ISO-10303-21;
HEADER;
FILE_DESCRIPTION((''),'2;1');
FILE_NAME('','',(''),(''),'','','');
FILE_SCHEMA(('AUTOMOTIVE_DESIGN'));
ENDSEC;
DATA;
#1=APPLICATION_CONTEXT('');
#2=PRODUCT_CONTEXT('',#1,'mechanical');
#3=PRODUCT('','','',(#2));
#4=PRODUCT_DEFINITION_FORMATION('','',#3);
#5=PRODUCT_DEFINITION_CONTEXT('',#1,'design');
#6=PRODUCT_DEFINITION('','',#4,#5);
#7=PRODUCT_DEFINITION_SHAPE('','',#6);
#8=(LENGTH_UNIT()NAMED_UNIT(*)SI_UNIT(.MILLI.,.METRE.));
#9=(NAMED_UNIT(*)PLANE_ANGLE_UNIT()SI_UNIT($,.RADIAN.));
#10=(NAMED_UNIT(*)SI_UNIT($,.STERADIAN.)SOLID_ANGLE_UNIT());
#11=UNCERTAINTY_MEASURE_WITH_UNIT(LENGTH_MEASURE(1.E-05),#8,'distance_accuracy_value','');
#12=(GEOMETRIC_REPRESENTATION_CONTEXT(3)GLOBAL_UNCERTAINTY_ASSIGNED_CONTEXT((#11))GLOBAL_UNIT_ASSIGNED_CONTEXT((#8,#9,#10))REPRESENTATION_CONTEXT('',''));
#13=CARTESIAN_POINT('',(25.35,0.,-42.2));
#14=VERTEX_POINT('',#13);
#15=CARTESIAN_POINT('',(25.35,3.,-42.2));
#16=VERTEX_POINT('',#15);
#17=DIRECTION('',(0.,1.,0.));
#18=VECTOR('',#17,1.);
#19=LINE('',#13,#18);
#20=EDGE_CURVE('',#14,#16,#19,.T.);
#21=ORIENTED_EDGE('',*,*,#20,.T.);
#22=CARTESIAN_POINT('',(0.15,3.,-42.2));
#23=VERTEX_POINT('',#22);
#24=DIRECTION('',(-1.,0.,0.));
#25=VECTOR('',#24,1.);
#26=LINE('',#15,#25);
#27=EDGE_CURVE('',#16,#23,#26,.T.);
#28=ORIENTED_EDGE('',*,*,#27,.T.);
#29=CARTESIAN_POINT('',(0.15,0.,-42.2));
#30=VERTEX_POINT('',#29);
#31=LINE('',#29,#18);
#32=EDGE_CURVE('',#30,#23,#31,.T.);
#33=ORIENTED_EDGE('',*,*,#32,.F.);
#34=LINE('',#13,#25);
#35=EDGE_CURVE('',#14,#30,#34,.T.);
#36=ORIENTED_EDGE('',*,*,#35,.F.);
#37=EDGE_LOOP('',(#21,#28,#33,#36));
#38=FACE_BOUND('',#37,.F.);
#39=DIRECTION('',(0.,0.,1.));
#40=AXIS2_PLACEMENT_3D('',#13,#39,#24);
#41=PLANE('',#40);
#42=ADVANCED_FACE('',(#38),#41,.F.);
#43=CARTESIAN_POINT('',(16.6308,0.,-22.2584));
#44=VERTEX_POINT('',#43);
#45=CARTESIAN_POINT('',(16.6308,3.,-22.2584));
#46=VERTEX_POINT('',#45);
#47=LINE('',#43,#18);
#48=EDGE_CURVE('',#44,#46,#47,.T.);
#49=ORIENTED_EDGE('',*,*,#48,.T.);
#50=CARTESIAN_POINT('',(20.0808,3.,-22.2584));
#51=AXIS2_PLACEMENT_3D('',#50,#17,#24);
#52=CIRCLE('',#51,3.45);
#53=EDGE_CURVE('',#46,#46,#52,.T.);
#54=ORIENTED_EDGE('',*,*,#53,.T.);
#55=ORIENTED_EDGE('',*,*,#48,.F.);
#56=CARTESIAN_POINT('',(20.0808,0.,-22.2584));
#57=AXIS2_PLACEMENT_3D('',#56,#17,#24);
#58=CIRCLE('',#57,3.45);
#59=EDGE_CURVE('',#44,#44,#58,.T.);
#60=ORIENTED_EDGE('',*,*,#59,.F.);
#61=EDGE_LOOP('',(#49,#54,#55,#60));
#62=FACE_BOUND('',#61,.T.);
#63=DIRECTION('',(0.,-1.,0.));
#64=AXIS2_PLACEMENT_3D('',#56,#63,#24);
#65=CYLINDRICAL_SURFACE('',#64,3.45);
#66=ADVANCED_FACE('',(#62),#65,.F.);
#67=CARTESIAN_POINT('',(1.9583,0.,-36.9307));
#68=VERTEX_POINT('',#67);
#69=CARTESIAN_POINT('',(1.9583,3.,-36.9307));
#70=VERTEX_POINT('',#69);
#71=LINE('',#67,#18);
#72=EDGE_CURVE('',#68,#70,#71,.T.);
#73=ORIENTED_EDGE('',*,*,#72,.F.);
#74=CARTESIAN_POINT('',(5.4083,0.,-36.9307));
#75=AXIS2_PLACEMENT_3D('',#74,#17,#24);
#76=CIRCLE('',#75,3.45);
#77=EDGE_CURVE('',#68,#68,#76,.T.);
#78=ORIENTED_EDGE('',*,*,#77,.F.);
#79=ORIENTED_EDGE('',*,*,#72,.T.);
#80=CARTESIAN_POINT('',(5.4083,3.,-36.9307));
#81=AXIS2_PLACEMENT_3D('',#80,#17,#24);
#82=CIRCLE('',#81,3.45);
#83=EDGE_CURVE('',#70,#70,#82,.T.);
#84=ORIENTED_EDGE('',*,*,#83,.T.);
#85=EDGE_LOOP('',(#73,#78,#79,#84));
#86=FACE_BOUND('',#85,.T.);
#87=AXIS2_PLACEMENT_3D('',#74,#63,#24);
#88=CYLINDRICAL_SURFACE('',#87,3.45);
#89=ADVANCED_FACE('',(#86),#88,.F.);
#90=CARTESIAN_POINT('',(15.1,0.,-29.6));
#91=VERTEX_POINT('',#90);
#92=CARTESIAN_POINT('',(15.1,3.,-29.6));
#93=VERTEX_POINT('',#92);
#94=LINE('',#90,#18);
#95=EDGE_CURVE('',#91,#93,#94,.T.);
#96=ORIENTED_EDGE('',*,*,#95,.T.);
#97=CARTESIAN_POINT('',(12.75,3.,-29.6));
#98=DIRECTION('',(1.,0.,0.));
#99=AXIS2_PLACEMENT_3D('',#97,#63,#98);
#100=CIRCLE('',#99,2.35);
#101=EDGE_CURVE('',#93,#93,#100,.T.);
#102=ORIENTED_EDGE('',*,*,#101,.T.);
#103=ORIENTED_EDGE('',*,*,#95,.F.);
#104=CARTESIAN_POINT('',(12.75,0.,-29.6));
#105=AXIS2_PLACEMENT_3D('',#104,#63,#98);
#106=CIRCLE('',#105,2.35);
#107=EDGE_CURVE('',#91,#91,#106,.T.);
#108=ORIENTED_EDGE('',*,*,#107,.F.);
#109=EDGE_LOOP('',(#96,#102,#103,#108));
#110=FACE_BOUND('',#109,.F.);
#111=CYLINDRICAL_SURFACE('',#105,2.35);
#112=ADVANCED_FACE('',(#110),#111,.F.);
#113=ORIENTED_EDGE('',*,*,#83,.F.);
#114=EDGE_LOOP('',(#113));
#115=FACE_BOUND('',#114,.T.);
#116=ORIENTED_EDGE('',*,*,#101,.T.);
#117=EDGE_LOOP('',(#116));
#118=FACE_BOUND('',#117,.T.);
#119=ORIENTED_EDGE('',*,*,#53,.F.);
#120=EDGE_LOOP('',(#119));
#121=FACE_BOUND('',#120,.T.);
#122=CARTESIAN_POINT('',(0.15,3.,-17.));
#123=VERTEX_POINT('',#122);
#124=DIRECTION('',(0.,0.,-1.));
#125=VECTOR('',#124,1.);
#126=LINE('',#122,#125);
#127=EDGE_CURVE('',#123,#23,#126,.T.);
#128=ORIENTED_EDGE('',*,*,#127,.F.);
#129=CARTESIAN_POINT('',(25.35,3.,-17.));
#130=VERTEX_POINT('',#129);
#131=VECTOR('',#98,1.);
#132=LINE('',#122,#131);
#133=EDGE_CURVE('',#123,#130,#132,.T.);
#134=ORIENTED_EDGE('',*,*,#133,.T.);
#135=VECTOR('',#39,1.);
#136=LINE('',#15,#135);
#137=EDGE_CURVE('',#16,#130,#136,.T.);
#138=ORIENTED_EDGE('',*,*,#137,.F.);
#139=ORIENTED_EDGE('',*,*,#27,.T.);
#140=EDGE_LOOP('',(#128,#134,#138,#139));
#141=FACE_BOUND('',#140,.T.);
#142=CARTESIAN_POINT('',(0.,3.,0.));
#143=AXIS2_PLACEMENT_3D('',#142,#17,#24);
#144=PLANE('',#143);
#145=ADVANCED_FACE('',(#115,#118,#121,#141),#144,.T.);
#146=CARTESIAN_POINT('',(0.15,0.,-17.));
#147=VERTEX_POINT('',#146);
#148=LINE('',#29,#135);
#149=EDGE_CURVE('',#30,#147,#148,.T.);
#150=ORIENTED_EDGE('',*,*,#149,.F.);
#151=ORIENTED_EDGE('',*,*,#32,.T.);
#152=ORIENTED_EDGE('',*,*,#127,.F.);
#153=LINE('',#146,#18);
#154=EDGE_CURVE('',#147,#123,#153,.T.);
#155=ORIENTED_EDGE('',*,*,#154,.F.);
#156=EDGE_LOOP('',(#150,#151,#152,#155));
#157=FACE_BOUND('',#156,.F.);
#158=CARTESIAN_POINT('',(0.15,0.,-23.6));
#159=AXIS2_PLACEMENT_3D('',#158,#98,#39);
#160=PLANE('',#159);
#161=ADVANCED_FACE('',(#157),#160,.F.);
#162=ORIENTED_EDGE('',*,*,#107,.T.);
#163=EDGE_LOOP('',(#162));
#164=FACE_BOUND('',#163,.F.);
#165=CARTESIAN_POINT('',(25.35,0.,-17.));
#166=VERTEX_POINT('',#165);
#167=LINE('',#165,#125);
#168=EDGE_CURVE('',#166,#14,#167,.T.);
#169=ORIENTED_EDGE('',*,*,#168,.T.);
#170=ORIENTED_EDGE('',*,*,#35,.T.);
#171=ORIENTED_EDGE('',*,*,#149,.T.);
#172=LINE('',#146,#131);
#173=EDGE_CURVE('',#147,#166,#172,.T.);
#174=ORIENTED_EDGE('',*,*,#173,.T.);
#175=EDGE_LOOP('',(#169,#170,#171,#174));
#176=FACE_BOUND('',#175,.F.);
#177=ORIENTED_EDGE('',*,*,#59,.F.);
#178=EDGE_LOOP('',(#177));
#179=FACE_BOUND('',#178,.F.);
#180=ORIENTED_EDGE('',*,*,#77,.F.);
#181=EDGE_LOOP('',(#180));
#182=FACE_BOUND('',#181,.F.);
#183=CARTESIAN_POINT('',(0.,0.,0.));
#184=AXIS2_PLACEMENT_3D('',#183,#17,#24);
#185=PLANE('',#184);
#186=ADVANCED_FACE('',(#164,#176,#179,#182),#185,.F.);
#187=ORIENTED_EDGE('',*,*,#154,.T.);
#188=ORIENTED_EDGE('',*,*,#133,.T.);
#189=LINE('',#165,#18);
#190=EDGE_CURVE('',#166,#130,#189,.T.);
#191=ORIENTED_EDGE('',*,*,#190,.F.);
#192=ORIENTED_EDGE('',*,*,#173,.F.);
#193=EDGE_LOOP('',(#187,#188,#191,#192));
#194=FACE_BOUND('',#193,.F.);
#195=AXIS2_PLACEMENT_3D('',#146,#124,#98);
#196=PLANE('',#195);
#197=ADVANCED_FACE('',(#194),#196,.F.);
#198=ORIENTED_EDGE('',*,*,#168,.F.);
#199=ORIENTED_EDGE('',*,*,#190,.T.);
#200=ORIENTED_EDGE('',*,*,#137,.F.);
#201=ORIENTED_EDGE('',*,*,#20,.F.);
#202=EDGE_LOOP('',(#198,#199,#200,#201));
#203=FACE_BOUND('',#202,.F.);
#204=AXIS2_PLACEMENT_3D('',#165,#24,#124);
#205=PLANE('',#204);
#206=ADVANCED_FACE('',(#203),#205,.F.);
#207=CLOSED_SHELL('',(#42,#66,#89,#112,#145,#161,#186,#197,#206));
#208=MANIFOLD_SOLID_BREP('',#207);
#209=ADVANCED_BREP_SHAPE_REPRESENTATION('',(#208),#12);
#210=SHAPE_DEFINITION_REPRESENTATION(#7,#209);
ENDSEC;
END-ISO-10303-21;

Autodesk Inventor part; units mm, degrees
ref_plane "YZ Plane" through (0, 0, 0) normal (1, 0, 0) x (0, 1, 0)
ref_plane "XZ Plane" through (0, 0, 0) normal (0, 1, 0) x (-1, 0, 0)
ref_plane "XY Plane" through (0, 0, 0) normal (0, 0, 1) x (1, 0, 0)
sketch "Sketch1" plane through (0, 0, 0) normal (0, 1, 0) x (-1, 0, 0)
  circle A0 centre (-20.0808, -22.2584) radius 3.45
  circle A1 centre (-5.4083, -36.9307) radius 3.45
  line L0 (-25.35, -17) -> (-25.35, -23.6)
  line L1 (-25.35, -23.6) -> (-25.35, -35.6)
  line L2 (-25.35, -35.6) -> (-25.35, -42.2)
  line L3 (-25.35, -42.2) -> (-0.15, -42.2)
  line L4 (-0.15, -42.2) -> (-0.15, -35.6)
  line L5 (-0.15, -35.6) -> (-0.15, -23.6)
  line L6 (-0.15, -23.6) -> (-0.15, -17)
  line L7 (-25.35, -42.2) -> (-0.15, -42.2)
  line L8 (-0.15, -42.2) -> (-0.15, -17)
  line L9 (-0.15, -17) -> (-25.35, -17)
  line L10 (-25.35, -17) -> (-25.35, -42.2)
  circle A2 centre (-12.75, -29.6) radius 2.075
  point P0 (0, 0)
  point P1 (0, 0)
  dimension "d0" = 25.2
  dimension "d1" = 4.15
extrude "Extrusion1" add sketch "Sketch1" along normal blind 3
sketch "Sketch2" plane through (0, 0, 0) normal (0, -1, 0) x (1, 0, 0)
  point P0 (0, 0)
sketch "Sketch3" plane through (0, 0, 0) normal (0, -1, 0) x (1, 0, 0)
  circle A0 centre (12.75, -29.6) radius 2.075 projected
  circle A1 centre (12.75, -29.6) radius 2.15
  point P0 (0, 0)
  dimension "d4" = 4.3
extrude "Extrusion2" cut sketch "Sketch3" against normal blind 10
sketch "Sketch4" plane through (0, 0, 0) normal (0, -1, 0) x (1, 0, 0)
  circle A0 centre (12.75, -29.6) radius 2.15 projected
  circle A1 centre (12.75, -29.6) radius 2.35
  point P0 (0, 0)
  dimension "d7" = 4.7
extrude "Extrusion3" cut sketch "Sketch4" against normal blind 10
properties part number "upperSeal" material "Water"
